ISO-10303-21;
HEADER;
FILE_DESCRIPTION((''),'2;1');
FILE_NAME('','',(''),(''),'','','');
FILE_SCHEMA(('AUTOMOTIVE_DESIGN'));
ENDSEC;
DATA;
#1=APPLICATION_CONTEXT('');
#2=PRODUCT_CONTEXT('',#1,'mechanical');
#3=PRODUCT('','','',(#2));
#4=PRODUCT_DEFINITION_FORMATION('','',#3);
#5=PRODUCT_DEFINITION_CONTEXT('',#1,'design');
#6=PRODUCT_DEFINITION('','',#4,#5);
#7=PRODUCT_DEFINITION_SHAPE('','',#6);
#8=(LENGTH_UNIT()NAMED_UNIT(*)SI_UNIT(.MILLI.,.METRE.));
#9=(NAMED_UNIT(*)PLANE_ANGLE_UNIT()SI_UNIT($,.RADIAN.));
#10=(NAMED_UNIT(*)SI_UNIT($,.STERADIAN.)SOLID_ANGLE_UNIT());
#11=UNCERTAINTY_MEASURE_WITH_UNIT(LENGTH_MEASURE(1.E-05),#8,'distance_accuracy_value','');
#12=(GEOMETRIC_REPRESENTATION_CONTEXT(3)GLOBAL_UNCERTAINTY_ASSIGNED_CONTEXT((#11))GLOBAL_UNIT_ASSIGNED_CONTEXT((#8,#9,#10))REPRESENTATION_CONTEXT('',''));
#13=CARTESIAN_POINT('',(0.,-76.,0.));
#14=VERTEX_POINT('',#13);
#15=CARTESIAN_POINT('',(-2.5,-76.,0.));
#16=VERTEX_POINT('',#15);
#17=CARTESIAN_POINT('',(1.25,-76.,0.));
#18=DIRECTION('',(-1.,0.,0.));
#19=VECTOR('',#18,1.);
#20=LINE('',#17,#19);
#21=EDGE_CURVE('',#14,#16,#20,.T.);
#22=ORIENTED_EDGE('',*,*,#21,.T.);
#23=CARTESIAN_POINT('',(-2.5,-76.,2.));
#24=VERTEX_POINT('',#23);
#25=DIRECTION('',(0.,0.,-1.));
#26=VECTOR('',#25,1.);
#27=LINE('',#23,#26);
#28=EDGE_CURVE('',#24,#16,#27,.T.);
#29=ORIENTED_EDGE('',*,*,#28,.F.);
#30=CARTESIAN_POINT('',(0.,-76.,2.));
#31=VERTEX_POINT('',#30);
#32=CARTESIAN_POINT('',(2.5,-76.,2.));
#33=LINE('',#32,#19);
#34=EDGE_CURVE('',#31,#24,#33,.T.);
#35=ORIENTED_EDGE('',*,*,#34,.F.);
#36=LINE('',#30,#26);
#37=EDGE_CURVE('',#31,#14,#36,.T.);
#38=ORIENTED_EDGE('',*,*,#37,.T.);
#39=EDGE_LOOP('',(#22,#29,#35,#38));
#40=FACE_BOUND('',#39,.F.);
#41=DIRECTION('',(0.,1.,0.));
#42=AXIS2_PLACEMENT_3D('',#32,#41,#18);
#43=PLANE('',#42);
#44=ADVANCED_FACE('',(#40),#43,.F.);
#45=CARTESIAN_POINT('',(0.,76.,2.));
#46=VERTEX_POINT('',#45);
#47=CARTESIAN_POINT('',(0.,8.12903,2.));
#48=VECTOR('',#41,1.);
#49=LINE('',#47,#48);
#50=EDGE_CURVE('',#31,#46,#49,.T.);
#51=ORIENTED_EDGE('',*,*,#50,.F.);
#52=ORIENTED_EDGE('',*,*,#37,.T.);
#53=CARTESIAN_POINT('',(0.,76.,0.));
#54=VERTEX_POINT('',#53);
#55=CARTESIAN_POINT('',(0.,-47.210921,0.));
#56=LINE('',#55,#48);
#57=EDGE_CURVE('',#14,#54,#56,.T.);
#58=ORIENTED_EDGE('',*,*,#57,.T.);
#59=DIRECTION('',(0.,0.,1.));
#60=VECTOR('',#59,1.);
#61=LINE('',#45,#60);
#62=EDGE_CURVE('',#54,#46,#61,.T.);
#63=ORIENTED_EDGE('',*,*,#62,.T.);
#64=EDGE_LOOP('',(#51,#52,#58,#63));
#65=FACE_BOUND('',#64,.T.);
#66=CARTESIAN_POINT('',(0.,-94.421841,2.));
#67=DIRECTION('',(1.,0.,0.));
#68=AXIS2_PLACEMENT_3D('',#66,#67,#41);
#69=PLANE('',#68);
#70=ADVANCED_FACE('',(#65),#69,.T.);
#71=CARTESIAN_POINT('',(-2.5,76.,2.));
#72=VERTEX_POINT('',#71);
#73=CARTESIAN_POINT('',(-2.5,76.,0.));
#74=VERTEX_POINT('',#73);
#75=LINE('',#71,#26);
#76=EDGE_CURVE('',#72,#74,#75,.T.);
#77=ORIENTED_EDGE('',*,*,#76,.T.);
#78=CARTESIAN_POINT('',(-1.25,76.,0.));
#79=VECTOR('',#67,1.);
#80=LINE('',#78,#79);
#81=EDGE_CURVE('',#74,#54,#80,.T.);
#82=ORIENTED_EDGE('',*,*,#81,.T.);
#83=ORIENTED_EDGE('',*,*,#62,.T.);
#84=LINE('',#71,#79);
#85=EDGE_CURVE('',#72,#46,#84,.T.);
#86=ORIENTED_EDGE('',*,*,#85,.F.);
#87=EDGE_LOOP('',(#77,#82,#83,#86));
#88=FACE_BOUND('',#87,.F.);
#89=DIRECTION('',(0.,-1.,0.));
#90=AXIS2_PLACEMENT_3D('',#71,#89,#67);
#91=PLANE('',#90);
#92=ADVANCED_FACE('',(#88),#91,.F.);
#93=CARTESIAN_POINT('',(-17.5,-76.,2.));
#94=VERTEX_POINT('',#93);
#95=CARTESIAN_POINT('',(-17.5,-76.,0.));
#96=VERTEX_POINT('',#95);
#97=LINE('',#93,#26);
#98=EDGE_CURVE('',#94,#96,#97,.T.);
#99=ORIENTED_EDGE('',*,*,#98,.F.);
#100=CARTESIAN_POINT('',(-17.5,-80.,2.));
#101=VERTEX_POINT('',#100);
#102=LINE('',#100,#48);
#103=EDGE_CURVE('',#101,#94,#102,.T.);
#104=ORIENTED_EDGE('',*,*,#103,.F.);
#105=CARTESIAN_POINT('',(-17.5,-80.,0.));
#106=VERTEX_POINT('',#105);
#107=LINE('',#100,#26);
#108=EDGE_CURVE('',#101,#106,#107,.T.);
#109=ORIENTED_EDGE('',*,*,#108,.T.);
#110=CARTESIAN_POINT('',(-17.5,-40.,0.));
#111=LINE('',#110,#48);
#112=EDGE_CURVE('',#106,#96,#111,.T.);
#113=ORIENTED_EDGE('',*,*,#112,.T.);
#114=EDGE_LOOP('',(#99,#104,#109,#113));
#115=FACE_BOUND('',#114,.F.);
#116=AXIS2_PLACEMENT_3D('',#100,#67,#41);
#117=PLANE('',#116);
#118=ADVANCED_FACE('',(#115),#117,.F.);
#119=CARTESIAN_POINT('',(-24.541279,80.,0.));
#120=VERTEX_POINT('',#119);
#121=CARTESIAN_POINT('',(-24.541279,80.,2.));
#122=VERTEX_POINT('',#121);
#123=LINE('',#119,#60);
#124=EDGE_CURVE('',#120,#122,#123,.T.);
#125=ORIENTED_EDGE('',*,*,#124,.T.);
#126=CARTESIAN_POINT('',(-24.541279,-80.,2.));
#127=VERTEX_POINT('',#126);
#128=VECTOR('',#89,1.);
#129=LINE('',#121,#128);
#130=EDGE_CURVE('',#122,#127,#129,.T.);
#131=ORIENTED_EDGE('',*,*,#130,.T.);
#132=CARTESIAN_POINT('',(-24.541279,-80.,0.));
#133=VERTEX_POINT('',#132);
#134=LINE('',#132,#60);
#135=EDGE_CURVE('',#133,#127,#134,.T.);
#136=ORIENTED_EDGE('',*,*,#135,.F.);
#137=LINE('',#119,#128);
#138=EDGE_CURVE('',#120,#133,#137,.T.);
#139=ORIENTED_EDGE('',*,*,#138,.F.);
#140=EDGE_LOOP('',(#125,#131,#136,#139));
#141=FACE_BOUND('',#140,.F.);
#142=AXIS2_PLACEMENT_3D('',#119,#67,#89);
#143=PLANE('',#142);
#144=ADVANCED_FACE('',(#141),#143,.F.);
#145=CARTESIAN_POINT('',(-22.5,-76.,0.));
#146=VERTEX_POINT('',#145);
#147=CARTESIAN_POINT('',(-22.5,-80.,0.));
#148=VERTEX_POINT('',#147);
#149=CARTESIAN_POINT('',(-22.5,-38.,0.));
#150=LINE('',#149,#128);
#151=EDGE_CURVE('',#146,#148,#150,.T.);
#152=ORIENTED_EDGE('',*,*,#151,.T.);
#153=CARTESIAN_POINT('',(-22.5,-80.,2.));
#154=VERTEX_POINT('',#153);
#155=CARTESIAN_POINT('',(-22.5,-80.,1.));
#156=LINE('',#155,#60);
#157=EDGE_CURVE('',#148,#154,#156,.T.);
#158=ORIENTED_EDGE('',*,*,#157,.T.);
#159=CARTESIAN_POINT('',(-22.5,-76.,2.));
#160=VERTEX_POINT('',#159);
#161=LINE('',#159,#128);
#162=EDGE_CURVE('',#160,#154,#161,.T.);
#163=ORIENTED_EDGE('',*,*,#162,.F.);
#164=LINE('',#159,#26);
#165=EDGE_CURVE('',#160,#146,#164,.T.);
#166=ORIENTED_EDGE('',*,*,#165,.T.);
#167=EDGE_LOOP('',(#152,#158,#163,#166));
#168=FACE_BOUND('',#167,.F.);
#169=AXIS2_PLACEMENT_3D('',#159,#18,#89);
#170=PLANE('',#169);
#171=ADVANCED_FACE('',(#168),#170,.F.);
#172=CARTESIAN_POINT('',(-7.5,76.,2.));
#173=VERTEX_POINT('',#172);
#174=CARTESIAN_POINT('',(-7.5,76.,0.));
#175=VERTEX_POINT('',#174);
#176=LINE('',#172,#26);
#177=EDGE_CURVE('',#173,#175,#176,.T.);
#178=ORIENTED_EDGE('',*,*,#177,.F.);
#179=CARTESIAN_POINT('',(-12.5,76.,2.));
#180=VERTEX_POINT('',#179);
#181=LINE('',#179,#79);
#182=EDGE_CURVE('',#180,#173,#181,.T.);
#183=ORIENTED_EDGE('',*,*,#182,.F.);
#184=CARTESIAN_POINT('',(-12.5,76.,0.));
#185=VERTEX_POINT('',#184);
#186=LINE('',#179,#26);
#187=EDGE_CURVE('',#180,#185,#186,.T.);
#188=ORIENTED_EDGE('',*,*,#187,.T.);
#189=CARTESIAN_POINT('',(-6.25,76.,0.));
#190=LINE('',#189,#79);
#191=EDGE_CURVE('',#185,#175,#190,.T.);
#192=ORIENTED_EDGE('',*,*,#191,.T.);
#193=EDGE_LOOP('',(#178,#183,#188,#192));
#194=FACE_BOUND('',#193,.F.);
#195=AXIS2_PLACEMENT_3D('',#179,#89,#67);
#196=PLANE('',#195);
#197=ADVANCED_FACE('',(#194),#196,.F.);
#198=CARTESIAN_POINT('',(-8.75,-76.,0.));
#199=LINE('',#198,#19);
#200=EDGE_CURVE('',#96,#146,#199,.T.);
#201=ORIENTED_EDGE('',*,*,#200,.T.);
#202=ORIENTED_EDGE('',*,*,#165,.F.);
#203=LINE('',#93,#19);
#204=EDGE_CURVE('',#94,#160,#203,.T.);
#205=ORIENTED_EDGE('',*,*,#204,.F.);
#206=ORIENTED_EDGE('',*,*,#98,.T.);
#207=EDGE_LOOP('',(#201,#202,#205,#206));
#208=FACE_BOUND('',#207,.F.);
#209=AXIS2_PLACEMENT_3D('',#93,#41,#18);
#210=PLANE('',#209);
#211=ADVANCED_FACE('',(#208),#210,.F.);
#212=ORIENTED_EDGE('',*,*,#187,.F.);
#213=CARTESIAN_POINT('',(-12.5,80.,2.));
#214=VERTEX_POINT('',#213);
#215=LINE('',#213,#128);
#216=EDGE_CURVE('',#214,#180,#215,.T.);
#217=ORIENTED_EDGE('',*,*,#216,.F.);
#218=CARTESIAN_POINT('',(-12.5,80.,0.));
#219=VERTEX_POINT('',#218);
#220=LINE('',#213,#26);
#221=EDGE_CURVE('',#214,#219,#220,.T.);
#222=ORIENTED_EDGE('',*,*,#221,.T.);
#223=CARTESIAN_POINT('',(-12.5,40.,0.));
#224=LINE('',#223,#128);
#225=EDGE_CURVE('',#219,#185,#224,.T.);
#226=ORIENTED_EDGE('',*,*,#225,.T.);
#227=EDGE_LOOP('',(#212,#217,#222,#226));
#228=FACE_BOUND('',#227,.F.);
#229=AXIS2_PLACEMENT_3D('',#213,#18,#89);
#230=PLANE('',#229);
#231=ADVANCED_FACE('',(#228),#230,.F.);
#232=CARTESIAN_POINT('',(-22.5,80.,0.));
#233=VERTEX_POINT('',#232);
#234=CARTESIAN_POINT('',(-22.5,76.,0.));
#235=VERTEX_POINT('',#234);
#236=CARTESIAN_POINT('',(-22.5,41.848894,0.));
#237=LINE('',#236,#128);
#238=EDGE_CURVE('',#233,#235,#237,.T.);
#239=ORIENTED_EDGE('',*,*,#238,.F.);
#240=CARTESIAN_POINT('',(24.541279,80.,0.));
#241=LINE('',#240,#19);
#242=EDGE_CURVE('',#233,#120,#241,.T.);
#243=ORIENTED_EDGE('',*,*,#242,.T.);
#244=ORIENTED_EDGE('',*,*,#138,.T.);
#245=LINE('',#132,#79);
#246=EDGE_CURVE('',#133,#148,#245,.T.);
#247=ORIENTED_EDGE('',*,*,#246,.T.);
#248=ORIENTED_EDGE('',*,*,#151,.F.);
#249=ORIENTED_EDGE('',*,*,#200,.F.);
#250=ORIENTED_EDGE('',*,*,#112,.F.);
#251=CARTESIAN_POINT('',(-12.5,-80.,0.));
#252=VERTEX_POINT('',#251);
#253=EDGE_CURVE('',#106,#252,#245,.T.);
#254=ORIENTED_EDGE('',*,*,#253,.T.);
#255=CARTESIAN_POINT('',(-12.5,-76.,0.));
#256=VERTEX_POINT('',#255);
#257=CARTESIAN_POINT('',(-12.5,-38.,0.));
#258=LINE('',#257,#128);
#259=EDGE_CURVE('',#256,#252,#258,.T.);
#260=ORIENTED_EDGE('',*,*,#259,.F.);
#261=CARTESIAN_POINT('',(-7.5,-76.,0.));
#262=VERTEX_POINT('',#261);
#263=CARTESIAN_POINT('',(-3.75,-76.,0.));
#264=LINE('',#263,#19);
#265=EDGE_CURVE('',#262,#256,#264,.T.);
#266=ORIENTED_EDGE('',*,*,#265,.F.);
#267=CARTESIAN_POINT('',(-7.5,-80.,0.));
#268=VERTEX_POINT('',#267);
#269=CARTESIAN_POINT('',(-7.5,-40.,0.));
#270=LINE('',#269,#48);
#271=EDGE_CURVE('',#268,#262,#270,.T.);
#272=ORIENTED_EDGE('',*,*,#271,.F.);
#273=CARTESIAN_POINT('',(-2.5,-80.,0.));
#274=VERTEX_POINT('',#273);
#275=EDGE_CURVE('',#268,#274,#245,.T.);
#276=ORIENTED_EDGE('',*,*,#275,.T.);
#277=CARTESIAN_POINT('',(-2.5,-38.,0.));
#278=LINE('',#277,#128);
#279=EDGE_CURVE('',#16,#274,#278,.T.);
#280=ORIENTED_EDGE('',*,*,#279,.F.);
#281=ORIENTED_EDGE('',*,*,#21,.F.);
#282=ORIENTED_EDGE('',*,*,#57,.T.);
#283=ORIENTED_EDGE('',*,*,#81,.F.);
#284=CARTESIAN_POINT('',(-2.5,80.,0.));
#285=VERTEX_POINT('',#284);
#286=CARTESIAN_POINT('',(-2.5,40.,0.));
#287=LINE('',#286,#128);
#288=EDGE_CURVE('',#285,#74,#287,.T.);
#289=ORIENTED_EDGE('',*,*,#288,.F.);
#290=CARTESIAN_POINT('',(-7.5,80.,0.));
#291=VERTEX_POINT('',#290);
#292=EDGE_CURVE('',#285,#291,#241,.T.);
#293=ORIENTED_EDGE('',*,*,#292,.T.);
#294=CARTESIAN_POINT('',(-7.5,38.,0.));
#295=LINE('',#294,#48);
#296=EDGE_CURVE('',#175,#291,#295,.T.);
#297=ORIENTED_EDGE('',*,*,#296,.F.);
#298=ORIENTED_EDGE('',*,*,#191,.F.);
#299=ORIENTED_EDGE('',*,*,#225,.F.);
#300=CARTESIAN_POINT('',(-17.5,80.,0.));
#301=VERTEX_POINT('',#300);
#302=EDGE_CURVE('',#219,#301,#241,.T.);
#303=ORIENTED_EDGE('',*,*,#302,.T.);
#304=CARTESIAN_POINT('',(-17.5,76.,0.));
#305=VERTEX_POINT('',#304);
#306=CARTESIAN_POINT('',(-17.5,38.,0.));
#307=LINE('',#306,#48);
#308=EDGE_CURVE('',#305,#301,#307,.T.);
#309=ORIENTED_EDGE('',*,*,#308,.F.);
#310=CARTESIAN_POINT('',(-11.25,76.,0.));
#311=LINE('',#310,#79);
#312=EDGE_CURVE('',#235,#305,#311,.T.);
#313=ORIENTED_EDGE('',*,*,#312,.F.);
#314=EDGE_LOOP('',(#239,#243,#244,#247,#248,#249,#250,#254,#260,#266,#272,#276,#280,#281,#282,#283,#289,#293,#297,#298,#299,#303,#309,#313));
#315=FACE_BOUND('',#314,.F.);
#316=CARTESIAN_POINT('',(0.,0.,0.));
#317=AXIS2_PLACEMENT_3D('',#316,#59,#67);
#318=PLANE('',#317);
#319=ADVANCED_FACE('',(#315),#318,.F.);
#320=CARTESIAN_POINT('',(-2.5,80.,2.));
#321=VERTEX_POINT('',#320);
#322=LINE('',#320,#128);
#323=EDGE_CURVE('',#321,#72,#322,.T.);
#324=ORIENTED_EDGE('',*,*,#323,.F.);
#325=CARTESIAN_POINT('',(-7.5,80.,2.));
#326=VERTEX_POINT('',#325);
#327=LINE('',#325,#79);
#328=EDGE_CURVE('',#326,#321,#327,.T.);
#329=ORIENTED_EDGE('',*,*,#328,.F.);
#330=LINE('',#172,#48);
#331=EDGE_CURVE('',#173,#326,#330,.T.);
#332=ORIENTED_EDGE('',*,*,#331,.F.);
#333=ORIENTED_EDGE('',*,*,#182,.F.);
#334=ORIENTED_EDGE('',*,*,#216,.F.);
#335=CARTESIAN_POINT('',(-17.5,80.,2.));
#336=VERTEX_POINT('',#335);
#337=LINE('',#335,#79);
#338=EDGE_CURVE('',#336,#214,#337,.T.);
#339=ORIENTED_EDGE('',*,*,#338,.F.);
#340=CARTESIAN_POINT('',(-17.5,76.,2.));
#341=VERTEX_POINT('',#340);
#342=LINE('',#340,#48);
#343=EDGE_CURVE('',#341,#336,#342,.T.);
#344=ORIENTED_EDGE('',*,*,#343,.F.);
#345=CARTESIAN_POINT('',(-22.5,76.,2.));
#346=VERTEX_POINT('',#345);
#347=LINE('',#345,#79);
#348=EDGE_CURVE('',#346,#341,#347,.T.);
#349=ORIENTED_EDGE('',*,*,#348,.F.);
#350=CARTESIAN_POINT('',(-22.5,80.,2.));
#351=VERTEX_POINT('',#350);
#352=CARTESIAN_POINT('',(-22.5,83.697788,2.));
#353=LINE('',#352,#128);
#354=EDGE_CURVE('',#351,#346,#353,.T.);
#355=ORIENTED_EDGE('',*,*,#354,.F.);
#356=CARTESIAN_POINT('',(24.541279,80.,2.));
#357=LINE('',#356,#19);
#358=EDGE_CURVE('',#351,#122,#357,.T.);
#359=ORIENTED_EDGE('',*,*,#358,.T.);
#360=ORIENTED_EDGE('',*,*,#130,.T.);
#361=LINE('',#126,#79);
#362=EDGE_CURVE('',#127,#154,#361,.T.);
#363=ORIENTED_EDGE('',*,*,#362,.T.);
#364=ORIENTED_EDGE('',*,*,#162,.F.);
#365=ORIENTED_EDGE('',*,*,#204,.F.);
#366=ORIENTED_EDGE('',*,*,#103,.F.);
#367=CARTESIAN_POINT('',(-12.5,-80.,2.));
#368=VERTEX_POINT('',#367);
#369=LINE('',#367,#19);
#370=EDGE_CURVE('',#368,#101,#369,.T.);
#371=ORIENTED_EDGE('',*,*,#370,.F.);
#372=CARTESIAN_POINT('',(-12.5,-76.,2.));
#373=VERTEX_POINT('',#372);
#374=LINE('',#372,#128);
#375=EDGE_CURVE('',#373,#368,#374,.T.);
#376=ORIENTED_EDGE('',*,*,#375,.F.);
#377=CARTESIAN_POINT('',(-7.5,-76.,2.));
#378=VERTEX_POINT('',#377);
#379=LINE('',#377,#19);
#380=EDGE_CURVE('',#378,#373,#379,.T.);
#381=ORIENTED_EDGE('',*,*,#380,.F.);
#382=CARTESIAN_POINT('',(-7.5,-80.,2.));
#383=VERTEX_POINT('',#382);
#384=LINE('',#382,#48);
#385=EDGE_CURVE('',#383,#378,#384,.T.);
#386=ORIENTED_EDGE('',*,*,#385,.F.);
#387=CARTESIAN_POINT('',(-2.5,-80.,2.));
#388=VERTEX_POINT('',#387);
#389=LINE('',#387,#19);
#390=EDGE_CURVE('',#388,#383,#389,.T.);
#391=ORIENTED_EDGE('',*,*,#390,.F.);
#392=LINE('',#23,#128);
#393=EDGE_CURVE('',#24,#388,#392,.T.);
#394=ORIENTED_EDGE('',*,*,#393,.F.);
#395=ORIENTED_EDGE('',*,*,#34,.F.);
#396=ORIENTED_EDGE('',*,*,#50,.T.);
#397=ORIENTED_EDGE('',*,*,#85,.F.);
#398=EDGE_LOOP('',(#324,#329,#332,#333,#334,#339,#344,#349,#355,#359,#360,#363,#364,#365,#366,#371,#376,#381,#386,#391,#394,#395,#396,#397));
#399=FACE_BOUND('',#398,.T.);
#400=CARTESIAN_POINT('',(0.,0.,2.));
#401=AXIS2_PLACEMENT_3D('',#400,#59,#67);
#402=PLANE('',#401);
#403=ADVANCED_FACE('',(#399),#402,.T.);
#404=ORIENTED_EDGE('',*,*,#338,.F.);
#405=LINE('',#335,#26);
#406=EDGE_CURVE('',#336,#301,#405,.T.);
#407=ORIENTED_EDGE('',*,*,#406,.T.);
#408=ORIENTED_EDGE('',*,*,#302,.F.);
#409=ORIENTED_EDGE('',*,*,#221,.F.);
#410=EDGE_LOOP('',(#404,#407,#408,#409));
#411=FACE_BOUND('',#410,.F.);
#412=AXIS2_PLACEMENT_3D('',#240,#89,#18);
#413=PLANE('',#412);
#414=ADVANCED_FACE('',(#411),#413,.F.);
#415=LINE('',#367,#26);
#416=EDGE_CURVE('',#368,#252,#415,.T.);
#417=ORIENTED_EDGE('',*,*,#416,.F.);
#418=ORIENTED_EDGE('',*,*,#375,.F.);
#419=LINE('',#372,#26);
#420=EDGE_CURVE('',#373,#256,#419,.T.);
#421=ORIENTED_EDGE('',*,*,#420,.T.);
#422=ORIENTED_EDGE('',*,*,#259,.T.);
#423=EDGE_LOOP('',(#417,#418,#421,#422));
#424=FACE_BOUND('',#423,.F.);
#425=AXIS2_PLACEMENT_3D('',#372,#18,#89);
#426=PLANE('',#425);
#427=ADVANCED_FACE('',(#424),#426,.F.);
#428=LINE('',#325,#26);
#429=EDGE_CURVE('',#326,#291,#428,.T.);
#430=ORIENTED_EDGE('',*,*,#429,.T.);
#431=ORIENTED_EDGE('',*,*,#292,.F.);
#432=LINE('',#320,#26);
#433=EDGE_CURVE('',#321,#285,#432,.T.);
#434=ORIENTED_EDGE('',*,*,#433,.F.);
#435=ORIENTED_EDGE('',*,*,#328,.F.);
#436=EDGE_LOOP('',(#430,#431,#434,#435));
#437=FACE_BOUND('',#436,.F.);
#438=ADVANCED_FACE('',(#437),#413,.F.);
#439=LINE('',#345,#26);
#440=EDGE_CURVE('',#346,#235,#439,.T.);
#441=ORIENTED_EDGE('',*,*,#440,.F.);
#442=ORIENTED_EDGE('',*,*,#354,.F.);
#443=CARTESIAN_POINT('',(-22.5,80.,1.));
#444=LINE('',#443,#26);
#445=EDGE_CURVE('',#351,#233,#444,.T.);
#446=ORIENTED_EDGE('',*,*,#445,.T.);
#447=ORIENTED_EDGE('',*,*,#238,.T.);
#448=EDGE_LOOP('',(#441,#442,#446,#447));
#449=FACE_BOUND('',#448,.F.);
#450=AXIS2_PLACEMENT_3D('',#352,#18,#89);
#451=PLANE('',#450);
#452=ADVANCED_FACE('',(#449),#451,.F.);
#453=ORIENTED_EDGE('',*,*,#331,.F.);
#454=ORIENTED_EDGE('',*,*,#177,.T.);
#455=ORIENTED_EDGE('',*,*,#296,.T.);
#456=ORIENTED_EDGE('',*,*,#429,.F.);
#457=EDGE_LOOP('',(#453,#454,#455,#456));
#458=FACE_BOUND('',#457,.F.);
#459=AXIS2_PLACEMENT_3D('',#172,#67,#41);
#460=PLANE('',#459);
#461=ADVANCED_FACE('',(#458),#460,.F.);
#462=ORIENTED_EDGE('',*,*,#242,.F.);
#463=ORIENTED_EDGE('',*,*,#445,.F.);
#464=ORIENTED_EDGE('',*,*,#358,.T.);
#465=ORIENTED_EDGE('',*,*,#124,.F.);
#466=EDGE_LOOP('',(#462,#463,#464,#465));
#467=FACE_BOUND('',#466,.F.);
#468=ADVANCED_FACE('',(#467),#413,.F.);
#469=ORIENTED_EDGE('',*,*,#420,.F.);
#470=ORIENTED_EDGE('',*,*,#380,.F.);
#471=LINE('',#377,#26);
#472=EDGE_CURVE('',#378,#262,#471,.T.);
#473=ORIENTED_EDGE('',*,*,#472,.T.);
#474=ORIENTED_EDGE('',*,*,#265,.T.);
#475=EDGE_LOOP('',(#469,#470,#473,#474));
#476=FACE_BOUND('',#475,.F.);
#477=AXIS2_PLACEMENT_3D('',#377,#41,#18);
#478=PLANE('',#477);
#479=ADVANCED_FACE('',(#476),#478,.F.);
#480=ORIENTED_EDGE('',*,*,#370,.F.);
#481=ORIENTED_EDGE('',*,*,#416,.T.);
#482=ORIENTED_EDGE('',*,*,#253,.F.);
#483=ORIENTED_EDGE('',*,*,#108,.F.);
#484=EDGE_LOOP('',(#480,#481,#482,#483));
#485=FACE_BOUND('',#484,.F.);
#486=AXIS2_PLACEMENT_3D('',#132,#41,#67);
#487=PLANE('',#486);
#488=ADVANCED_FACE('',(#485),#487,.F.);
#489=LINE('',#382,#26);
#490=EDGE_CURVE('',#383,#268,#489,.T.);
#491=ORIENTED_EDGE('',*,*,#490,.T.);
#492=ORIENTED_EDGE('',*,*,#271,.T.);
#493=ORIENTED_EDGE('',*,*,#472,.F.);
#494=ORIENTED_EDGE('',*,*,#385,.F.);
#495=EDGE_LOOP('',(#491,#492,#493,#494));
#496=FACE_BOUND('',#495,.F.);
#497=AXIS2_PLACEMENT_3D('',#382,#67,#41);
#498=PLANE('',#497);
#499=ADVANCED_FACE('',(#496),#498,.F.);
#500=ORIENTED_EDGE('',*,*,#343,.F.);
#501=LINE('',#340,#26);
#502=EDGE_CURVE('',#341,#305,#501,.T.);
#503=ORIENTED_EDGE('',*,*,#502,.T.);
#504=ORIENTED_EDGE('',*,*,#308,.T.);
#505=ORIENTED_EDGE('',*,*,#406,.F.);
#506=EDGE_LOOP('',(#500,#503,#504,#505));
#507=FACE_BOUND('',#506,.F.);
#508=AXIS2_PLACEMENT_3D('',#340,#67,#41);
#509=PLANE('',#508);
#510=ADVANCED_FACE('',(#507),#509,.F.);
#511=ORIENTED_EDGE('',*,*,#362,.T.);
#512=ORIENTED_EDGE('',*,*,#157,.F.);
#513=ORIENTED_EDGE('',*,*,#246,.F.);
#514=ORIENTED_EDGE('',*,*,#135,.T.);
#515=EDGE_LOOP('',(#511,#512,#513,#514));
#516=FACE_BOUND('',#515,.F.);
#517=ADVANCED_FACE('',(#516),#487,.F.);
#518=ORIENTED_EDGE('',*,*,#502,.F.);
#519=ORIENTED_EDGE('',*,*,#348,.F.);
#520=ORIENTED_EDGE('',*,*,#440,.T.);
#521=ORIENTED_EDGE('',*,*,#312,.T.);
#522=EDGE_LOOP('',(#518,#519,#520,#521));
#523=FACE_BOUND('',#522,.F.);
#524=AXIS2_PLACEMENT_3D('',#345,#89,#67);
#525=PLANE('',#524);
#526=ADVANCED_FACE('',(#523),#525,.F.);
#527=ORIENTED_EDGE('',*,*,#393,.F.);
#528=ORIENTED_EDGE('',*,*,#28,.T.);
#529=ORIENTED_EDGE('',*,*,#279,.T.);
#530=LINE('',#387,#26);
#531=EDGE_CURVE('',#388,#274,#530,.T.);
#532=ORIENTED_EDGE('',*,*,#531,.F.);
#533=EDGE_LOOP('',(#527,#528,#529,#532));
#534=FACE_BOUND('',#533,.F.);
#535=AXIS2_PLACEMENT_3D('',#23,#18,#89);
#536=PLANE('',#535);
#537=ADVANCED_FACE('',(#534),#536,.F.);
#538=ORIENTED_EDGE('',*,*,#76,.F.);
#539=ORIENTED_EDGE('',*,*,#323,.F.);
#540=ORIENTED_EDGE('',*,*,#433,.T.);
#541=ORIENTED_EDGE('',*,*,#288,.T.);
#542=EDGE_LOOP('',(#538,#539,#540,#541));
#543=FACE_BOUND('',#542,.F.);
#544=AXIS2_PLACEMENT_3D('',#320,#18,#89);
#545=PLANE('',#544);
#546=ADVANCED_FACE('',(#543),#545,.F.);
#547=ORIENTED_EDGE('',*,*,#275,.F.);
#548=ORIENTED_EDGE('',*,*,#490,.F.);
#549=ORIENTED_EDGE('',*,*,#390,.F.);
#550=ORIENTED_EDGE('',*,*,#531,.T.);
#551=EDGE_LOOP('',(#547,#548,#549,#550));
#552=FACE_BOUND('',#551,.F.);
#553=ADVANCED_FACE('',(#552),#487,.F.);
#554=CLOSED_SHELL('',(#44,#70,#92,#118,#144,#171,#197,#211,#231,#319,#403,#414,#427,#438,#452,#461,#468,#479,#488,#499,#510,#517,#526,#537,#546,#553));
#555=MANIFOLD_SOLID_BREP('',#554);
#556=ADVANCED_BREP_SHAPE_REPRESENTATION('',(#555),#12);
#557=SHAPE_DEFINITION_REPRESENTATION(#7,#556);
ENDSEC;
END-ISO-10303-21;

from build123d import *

# Parameters (mm, degrees)
F1_DEPTH = 2
F3_DEPTH = 5
F4_W     = 28.972704
F4_H     = 205.101743
F5_DEPTH = 25


with BuildPart() as f1:
    # F0 (on Top) → F1 (new body)
    with BuildSketch(Plane.XY):
        Polygon((-24.541279, -80), (0, -80), (24.541279, -80), (24.541279, 0), (24.541279, 80), (0, 80), (-24.541279, 80), (-24.541279, 0), align=None)
    extrude(amount=F1_DEPTH)

    # F2 (on face) → F3 (cut)
    with BuildSketch(Plane.XY.offset(2)):
        Polygon((2.5, -76), (0, -76), (-2.5, -76), (-2.5, -80), (-7.5, -80), (-7.5, -76), (-12.5, -76), (-12.5, -80), (-17.5, -80), (-17.5, -76), (-22.5, -76), (-22.5, -80), (-22.5, -83.697788), (22.5, -83.697788), (22.5, -80), (22.5, -76), (17.5, -76), (17.5, -80), (12.5, -80), (12.5, -76), (7.5, -76), (7.5, -80), (2.5, -80), align=None)
        Polygon((-22.5, 80), (-22.5, 76), (-17.5, 76), (-17.5, 80), (-12.5, 80), (-12.5, 76), (-7.5, 76), (-7.5, 80), (-2.5, 80), (-2.5, 76), (0, 76), (2.5, 76), (2.5, 80), (7.5, 80), (7.5, 76), (12.5, 76), (12.5, 80), (17.5, 80), (17.5, 76), (22.5, 76), (22.5, 80), (22.5, 83.697788), (-22.5, 83.697788), align=None)
    extrude(amount=-F3_DEPTH, mode=Mode.SUBTRACT)

    # F4 (on face) → F5 (cut)
    with BuildSketch(Plane.XY.offset(2)):
        with Locations((14.486352, 8.12903)):
            Rectangle(F4_W, F4_H)
    extrude(amount=-F5_DEPTH, mode=Mode.SUBTRACT)


solid = f1.part
